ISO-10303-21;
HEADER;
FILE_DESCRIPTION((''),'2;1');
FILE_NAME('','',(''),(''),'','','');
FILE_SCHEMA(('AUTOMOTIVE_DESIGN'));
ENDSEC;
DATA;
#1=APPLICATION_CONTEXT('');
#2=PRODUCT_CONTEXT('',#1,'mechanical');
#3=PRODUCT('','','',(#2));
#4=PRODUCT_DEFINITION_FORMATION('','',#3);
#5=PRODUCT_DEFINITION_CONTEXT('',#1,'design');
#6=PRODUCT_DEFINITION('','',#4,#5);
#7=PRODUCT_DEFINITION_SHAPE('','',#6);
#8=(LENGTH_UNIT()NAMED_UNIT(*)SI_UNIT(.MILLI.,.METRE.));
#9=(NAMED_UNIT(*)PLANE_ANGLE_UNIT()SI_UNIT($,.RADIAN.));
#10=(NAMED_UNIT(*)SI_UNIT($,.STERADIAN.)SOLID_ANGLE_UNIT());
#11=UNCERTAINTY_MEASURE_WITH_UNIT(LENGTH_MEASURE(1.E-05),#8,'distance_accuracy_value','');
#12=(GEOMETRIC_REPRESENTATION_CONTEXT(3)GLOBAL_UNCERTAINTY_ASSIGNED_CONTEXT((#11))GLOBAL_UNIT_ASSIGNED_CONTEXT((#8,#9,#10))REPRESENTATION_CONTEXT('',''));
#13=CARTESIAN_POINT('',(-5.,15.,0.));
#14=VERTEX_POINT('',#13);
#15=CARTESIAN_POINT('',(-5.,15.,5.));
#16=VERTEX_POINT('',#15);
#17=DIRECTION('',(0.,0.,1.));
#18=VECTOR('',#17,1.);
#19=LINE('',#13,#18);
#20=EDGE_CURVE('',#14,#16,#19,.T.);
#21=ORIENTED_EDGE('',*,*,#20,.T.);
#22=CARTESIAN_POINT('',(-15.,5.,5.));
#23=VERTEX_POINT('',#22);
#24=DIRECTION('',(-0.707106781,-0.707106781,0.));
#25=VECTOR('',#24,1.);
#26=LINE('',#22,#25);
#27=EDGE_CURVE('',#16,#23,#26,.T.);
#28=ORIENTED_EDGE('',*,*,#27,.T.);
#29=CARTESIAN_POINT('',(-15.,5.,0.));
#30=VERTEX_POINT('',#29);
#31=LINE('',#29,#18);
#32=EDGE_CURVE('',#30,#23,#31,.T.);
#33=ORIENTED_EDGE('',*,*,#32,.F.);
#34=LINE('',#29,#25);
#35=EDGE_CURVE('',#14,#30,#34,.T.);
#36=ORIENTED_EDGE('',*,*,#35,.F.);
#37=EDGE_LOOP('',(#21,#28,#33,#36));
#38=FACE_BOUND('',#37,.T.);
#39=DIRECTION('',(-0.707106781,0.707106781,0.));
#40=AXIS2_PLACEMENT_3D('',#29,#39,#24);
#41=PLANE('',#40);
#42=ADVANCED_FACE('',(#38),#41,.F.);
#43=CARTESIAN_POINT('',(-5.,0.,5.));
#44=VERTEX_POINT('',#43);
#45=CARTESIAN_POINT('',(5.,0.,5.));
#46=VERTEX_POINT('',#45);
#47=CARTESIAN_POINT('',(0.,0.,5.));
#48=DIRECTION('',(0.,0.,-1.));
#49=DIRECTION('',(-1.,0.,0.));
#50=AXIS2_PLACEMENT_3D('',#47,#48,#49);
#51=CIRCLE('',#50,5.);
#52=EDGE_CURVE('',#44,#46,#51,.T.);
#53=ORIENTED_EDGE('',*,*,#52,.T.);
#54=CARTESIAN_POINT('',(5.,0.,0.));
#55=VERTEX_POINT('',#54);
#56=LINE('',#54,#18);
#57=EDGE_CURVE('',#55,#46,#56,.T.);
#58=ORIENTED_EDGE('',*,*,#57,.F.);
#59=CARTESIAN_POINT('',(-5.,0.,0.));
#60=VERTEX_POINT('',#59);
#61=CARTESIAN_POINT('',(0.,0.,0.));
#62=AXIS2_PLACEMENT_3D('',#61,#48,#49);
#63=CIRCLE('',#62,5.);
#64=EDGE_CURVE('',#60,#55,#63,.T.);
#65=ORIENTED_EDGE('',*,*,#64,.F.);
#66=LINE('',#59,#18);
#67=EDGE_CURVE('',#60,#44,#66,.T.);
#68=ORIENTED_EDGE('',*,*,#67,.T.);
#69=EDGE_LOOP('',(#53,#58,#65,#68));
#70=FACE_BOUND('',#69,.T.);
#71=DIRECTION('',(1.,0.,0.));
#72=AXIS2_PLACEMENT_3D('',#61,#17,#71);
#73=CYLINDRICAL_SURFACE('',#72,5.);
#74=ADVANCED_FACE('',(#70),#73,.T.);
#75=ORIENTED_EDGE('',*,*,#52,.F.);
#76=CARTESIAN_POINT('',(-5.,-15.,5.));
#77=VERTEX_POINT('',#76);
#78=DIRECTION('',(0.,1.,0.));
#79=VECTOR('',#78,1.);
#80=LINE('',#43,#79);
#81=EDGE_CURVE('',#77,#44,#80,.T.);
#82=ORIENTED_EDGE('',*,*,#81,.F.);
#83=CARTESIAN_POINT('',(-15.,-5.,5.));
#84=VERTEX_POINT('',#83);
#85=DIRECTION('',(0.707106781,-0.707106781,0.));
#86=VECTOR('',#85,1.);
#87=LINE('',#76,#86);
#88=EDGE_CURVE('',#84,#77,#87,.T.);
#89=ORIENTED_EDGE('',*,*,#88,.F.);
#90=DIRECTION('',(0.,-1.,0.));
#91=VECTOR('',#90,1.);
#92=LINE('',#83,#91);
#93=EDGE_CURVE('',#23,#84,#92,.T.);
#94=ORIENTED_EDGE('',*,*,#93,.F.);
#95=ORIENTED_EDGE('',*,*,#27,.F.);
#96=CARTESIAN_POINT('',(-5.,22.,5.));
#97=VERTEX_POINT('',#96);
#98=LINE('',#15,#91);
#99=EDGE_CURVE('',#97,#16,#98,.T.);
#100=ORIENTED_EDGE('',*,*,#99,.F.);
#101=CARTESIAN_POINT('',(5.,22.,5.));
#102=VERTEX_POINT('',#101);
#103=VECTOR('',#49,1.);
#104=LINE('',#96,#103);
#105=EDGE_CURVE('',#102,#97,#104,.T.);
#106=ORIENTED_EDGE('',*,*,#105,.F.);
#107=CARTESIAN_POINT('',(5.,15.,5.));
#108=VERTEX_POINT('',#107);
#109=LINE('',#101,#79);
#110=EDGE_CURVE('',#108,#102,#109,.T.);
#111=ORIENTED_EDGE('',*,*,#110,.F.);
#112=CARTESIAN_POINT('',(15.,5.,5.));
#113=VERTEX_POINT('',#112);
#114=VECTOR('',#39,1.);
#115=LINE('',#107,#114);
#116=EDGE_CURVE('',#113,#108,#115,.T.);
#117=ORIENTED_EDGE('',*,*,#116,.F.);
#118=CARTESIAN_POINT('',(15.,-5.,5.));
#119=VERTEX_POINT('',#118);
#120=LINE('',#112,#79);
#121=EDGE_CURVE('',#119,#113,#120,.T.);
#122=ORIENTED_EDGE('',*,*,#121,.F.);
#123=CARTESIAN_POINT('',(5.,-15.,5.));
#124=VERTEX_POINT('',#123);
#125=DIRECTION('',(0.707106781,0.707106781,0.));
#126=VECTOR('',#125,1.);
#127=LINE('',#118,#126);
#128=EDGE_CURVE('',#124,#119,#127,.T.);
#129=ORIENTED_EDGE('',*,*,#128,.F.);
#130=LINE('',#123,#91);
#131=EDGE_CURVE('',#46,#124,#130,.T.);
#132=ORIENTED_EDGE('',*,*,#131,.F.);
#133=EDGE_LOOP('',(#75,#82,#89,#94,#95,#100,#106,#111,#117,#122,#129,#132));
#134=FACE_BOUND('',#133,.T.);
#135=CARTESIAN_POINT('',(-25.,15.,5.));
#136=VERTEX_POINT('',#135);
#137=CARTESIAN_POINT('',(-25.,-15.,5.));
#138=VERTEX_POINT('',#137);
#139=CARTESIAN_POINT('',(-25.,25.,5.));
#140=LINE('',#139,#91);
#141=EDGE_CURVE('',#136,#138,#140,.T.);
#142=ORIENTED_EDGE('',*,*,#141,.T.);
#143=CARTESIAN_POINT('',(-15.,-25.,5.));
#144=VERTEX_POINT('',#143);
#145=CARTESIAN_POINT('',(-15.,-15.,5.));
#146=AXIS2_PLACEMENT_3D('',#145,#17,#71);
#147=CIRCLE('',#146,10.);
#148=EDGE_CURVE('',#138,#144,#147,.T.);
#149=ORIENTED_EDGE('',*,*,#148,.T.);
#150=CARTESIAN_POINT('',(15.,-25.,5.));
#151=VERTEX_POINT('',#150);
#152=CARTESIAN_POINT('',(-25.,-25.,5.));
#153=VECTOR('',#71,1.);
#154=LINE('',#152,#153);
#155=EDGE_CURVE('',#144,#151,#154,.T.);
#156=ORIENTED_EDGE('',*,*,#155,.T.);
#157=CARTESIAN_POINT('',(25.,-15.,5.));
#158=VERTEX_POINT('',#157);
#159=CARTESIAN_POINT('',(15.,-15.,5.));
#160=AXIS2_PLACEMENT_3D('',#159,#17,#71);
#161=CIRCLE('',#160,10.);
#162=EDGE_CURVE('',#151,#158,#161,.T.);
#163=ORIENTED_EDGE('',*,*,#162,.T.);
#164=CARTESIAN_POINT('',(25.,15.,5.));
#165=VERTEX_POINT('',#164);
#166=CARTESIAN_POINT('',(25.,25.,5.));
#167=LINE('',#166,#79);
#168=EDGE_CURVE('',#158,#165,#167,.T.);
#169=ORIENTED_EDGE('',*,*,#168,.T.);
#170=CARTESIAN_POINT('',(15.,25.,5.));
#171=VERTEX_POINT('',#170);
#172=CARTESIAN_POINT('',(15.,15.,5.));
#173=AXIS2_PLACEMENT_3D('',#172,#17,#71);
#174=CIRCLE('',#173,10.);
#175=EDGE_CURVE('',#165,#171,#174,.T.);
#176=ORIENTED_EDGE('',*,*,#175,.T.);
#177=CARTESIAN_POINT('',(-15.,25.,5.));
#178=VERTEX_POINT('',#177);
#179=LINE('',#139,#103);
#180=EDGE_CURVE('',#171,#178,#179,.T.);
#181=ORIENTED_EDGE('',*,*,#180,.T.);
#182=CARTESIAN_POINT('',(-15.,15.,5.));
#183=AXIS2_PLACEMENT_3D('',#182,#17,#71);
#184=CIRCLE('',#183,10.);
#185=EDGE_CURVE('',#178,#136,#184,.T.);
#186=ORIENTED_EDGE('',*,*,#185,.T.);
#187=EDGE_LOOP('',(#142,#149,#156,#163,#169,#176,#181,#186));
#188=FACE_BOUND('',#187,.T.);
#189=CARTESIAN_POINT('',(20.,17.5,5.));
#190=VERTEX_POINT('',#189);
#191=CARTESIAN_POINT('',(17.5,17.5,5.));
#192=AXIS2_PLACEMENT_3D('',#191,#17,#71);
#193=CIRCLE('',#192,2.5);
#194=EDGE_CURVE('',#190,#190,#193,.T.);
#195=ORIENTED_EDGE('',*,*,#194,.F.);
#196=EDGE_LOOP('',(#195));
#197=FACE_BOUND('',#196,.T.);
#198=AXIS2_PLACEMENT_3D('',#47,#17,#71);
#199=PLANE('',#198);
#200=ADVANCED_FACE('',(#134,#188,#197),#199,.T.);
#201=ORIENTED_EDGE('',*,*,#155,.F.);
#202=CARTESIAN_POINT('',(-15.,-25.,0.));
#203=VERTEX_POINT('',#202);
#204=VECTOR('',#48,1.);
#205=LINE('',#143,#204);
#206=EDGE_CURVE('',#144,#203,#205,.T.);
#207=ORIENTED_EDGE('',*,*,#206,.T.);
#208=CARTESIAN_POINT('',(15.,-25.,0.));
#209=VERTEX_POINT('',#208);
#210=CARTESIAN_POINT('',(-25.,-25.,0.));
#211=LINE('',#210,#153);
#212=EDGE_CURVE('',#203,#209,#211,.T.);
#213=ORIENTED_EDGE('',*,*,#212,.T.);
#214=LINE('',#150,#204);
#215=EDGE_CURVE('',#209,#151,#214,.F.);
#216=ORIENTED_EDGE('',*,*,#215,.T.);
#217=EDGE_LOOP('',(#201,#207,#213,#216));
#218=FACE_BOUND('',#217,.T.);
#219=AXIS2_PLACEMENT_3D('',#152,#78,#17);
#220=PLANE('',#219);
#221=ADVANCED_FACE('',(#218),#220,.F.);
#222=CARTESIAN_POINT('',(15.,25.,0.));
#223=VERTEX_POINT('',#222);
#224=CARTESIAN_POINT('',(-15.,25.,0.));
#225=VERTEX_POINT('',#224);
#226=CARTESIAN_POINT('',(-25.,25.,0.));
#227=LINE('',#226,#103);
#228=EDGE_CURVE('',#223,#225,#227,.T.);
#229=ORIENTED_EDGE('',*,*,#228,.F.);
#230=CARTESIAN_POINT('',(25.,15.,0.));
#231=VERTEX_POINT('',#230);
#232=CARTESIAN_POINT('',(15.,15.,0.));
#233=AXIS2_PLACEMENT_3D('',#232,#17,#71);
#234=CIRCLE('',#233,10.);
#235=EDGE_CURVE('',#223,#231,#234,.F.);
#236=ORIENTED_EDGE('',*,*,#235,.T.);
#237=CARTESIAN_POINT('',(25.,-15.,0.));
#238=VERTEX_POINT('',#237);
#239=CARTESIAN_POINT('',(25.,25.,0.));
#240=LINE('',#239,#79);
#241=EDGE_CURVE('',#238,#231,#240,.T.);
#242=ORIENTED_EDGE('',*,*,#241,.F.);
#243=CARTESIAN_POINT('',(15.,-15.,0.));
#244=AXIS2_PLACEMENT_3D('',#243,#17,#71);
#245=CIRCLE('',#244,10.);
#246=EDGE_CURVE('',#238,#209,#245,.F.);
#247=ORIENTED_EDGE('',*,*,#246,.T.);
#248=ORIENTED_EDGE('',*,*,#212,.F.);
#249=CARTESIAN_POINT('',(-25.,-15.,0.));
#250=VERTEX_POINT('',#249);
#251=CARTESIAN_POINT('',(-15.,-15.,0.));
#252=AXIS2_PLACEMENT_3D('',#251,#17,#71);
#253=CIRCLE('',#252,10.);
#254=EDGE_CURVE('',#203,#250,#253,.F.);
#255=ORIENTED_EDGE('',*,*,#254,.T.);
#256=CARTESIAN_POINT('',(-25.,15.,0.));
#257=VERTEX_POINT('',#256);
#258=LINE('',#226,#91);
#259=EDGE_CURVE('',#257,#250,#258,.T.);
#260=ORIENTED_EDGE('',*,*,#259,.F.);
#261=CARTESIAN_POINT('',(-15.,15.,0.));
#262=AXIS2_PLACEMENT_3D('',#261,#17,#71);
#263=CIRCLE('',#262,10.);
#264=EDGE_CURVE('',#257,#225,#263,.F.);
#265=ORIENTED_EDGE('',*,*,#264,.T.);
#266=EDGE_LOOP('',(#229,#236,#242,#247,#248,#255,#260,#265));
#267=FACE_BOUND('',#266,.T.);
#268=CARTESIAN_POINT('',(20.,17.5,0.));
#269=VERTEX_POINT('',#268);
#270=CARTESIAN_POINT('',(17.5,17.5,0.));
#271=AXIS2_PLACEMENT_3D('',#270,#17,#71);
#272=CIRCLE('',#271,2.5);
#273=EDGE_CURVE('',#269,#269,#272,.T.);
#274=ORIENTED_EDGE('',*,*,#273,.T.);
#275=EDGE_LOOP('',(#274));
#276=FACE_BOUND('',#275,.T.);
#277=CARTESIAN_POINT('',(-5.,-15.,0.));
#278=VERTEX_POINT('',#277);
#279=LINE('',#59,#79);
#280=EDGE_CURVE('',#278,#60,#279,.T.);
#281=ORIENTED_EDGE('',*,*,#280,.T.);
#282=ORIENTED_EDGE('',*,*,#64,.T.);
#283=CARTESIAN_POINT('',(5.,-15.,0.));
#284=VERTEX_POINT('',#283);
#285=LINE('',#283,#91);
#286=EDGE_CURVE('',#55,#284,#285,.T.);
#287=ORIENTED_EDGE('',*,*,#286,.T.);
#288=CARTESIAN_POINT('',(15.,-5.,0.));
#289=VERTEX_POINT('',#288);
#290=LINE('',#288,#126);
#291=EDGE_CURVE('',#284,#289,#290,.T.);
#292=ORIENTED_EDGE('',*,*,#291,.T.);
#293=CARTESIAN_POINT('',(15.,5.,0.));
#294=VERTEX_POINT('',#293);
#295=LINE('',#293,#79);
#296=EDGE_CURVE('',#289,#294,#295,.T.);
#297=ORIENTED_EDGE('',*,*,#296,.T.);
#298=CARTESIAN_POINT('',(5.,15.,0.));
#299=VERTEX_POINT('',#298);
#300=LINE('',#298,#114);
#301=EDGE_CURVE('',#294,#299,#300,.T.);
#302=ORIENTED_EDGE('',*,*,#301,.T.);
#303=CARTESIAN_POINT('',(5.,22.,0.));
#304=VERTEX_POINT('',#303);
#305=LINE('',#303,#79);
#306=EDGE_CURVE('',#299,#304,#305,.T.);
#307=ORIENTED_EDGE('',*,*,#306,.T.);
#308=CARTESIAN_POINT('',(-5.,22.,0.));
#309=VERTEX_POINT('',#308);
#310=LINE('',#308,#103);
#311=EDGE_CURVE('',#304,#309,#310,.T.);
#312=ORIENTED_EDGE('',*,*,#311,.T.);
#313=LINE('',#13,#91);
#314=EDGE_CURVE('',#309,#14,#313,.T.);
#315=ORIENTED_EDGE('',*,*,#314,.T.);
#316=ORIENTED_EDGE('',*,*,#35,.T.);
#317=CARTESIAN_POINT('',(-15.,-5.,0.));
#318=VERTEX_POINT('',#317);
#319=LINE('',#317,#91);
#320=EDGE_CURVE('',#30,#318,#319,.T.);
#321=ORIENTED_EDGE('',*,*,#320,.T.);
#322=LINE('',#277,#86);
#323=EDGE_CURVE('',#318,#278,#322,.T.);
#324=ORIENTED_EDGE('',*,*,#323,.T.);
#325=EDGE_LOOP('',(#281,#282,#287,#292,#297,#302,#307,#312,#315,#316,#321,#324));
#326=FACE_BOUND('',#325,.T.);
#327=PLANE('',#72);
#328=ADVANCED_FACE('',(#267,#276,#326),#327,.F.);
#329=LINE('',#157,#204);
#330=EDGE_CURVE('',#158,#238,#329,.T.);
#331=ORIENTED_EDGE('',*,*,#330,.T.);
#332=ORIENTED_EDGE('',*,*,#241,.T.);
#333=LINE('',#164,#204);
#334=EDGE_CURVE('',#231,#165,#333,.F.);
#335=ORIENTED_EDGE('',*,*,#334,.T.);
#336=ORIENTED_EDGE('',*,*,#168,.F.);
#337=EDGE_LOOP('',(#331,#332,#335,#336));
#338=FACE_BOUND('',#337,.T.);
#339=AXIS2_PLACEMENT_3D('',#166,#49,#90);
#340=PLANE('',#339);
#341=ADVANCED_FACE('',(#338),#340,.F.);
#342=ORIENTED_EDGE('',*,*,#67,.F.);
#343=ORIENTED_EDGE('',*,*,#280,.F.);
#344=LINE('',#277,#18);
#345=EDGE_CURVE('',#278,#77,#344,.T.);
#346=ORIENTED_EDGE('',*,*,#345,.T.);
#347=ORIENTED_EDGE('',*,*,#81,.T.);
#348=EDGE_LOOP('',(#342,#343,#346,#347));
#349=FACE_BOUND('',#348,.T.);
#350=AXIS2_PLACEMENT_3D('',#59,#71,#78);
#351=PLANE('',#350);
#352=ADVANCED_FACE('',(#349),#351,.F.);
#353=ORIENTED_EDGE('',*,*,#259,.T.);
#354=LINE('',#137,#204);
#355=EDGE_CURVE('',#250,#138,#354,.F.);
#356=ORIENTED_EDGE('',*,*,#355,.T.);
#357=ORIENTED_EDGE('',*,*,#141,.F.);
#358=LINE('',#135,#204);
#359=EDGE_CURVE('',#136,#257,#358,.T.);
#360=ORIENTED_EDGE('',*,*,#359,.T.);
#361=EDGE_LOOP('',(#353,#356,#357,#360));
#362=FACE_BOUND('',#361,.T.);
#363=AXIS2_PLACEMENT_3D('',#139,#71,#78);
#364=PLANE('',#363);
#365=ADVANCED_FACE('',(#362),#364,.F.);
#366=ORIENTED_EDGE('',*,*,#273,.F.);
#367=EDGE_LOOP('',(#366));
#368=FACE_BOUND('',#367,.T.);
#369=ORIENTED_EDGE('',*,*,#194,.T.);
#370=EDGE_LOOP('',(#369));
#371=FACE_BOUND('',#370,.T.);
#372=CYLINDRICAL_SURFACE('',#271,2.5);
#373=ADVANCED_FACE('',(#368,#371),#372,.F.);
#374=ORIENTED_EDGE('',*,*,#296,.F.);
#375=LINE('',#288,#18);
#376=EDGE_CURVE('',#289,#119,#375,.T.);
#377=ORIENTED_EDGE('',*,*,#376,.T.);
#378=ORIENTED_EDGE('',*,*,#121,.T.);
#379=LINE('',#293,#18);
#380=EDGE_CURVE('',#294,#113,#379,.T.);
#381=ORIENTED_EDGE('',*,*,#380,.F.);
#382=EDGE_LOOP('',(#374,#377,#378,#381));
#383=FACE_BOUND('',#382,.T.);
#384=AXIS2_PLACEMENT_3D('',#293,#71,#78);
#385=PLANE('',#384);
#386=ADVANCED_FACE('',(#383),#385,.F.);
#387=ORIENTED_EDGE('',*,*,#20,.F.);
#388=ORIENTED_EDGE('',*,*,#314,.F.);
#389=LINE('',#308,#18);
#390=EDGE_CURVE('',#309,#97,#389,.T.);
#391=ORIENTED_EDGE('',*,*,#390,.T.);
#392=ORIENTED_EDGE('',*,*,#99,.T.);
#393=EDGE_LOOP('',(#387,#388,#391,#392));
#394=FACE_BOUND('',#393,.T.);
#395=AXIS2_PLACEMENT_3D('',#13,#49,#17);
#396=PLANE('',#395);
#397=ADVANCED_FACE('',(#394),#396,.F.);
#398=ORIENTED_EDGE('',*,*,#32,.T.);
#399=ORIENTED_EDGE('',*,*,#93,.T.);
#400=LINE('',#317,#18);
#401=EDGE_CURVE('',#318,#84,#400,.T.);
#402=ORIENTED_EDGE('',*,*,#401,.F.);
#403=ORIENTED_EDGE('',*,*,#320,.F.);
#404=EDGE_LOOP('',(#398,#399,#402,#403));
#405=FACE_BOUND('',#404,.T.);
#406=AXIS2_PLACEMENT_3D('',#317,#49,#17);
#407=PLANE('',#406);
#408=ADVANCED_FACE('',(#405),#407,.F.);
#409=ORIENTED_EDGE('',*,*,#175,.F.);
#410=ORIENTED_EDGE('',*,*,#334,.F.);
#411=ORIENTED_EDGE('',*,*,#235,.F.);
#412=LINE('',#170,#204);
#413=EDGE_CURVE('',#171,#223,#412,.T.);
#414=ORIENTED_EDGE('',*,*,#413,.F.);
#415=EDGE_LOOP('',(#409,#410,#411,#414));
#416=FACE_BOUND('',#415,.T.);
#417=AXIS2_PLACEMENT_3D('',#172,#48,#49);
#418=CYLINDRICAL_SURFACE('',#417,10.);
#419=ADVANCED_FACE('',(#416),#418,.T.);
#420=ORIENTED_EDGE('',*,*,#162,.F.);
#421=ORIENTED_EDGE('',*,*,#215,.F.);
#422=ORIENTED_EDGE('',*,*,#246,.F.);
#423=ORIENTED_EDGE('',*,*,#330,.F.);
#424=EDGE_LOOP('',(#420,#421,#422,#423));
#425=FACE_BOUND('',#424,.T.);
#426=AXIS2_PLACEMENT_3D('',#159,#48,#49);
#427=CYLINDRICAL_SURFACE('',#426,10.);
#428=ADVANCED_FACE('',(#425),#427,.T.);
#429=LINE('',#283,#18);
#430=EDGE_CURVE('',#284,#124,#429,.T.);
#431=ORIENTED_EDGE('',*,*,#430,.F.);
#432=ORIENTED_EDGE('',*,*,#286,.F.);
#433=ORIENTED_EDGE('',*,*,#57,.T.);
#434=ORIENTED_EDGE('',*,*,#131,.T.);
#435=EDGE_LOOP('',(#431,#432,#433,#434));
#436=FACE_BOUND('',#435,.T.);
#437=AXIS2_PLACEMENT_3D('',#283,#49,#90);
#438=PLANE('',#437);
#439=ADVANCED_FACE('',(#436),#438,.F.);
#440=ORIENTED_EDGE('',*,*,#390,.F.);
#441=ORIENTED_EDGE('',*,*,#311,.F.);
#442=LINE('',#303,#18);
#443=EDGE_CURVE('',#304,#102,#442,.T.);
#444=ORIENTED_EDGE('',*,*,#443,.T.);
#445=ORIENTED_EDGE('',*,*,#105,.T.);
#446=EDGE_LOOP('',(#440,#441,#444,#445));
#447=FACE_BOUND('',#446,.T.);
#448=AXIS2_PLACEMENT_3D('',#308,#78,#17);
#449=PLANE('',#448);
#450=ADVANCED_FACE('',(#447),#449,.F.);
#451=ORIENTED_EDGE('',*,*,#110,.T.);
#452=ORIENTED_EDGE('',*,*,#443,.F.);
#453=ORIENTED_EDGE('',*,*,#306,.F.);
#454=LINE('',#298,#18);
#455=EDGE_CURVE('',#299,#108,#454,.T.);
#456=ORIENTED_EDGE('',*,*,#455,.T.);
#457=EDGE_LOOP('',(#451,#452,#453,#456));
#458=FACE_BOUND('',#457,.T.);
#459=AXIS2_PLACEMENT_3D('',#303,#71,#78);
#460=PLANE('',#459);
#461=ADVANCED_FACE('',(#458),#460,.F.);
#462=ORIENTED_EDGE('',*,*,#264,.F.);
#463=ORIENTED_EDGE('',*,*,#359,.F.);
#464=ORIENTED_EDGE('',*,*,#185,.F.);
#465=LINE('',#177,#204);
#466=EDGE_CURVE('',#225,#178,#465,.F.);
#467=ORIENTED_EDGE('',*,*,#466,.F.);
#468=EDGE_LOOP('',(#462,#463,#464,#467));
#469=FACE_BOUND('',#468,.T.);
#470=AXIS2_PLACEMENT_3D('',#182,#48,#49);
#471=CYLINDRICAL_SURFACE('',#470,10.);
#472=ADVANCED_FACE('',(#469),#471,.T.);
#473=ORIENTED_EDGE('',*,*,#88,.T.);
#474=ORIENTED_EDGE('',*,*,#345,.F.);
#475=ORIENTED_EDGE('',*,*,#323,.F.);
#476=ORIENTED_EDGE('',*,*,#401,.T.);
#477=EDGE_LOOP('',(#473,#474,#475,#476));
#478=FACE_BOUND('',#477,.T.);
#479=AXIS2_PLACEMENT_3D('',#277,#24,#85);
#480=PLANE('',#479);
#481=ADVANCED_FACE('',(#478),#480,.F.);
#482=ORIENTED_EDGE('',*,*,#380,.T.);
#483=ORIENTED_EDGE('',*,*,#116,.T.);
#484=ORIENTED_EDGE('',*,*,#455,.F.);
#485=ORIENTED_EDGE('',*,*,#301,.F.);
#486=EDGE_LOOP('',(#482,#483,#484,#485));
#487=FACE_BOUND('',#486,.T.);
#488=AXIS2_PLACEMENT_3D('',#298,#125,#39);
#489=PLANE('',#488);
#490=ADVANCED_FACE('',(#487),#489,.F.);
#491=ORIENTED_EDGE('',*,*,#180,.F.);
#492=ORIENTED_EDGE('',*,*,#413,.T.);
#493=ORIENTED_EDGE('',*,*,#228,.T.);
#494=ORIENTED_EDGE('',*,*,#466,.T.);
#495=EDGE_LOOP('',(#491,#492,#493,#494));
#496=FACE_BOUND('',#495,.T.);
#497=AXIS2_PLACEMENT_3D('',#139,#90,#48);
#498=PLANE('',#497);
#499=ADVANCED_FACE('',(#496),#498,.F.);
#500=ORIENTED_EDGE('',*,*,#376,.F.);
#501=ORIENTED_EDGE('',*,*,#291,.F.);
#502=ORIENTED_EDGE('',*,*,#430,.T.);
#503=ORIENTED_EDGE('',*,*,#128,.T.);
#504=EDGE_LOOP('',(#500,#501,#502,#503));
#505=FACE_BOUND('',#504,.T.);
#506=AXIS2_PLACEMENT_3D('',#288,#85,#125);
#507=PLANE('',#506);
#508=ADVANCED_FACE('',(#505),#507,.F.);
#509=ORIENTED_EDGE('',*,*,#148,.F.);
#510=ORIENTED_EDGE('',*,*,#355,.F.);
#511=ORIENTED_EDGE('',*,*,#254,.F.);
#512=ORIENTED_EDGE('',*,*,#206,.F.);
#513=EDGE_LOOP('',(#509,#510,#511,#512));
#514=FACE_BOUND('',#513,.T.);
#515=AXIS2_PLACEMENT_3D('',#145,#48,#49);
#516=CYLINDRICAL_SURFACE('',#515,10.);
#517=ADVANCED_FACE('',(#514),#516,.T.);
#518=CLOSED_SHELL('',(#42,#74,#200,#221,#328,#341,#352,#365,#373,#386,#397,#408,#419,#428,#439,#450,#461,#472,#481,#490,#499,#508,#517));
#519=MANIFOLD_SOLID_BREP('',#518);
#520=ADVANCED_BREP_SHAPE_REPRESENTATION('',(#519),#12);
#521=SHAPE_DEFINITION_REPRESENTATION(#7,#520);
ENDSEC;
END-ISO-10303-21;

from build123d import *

# Parameters (mm, degrees)
SKETCH2_W           = 50
SKETCH2_H           = 50
BOSS_EXTRUDE1_DEPTH = 5
FILLET1_R           = 10
SKETCH3_R           = 2.5
CUT_EXTRUDE1_DEPTH  = 6


with BuildPart() as part:
    # Sketch2 → Boss-Extrude1 (new body)
    with BuildSketch(Plane.XY):
        Rectangle(SKETCH2_W, SKETCH2_H)
    extrude(amount=BOSS_EXTRUDE1_DEPTH)

    # Fillet1
    fillet1_edges = [part.edges().sort_by_distance(p)[0] for p in [
        (-25, 25, 2.5),
        (25, 25, 2.5),
        (25, -25, 2.5),
        (-25, -25, 2.5),
    ]]
    fillet(fillet1_edges, radius=FILLET1_R)

    # Sketch3 → Cut-Extrude1 (cut, through all)
    with BuildSketch(Plane.XY.offset(5)):
        with Locations((17.5, 17.5)):
            Circle(SKETCH3_R)
        with BuildLine():
            Line((-5, 0), (-5, -15))
            Line((-5, -15), (-15, -5))
            Line((-15, -5), (-15, 5))
            Line((-15, 5), (-5, 15))
            Line((-5, 15), (-5, 22))
            Line((-5, 22), (5, 22))
            Line((5, 22), (5, 15))
            Line((5, 15), (15, 5))
            Line((15, 5), (15, -5))
            Line((15, -5), (5, -15))
            Line((5, -15), (5, 0))
            ThreePointArc((5, 0), (0, 5), (-5, 0))
        make_face()
    extrude(amount=-CUT_EXTRUDE1_DEPTH, mode=Mode.SUBTRACT)


solid = part.part
